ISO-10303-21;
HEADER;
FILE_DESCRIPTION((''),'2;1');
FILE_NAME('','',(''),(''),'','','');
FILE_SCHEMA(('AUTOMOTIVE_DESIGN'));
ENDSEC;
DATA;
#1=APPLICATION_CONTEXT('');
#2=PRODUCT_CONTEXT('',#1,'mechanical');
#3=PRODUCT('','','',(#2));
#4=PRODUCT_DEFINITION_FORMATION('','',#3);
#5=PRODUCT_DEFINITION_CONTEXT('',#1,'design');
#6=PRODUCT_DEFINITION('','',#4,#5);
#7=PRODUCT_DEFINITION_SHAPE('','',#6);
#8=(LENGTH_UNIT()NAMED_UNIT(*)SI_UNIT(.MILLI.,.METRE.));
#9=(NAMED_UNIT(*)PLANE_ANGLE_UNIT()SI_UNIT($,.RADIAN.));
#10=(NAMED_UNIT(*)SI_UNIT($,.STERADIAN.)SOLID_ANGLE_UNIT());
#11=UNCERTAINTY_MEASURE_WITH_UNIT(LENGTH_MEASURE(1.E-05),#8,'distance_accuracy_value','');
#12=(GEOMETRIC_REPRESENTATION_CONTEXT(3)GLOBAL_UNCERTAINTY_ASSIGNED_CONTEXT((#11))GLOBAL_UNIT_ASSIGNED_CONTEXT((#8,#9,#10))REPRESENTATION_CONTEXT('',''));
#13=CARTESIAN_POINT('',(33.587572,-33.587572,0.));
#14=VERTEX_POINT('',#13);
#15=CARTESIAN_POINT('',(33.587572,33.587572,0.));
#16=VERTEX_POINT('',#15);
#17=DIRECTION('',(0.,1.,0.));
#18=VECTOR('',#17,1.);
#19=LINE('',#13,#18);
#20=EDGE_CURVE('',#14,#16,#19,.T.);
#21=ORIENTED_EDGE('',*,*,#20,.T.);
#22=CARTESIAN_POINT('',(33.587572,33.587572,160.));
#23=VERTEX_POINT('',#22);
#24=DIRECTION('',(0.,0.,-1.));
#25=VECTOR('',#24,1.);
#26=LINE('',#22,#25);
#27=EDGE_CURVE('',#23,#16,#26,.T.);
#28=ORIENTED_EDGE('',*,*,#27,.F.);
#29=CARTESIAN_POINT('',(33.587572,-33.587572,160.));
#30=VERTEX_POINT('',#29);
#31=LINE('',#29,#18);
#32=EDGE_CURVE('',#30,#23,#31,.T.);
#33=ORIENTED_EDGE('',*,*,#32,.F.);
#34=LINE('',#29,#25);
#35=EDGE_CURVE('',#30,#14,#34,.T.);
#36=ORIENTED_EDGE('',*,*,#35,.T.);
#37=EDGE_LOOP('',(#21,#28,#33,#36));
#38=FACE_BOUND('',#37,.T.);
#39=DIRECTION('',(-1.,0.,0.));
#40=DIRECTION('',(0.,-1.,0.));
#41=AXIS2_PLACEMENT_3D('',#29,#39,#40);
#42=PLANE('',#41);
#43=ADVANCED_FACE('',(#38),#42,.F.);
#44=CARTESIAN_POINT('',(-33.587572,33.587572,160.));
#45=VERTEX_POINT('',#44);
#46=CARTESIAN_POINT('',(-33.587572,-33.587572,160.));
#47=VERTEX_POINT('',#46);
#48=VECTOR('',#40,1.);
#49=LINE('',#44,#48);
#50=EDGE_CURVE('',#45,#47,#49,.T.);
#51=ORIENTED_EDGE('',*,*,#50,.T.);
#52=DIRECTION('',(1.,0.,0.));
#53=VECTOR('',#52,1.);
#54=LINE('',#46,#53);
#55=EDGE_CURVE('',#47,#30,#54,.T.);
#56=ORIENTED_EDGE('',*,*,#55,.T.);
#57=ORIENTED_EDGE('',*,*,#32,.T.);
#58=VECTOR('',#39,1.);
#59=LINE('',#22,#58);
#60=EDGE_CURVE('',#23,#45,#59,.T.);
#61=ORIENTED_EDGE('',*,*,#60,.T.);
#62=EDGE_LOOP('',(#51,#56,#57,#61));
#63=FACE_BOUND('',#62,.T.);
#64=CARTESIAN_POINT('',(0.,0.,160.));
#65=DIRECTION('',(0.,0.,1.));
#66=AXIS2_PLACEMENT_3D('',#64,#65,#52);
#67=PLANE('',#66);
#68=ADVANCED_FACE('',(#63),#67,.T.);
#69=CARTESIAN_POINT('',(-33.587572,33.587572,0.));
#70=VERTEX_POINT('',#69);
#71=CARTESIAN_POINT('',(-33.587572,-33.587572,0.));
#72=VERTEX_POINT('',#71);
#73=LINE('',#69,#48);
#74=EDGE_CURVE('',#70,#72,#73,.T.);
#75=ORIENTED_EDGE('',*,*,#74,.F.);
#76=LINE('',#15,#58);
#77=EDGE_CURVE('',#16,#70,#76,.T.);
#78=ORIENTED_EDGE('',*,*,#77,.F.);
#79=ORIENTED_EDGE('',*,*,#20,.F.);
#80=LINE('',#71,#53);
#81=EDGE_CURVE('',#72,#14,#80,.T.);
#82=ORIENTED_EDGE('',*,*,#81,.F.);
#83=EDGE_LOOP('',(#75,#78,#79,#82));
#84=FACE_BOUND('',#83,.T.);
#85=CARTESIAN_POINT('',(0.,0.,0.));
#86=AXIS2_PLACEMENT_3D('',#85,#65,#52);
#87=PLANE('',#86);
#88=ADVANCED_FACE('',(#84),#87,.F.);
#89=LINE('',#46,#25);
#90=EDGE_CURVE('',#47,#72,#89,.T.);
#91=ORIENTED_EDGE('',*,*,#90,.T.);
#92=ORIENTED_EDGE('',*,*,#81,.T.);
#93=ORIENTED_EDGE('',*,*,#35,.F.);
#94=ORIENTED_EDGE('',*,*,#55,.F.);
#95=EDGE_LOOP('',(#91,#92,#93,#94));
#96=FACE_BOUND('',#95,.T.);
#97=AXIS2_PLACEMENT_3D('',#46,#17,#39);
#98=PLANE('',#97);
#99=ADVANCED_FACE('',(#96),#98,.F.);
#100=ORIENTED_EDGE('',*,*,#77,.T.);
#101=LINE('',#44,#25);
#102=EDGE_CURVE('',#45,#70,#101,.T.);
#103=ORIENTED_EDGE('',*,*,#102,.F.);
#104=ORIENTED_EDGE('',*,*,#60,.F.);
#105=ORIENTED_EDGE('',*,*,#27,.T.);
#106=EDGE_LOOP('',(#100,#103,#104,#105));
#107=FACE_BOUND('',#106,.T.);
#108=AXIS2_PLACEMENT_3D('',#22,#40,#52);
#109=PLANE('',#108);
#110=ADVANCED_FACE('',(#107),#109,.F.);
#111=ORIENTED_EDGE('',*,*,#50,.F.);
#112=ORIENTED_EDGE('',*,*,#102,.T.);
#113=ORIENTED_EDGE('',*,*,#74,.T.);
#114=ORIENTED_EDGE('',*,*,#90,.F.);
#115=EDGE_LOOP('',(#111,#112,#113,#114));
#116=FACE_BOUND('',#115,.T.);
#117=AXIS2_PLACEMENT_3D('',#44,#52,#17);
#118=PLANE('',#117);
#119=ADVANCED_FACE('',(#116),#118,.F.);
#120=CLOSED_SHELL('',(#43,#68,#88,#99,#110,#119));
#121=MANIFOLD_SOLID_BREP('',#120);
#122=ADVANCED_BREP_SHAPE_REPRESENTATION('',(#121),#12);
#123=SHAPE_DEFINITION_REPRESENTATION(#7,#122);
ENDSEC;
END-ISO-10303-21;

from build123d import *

# Parameters (mm, degrees)
SCHIZZO1_W                   = 67.175144212
SCHIZZO1_H                   = 67.175144212
ESTRUSIONE_ESTRUSIONE1_DEPTH = 160


with BuildPart() as part:
    # Schizzo1 → Estrusione-Estrusione1 (new body)
    with BuildSketch(Plane.XY):
        Rectangle(SCHIZZO1_W, SCHIZZO1_H)
    extrude(amount=ESTRUSIONE_ESTRUSIONE1_DEPTH)


solid = part.part
